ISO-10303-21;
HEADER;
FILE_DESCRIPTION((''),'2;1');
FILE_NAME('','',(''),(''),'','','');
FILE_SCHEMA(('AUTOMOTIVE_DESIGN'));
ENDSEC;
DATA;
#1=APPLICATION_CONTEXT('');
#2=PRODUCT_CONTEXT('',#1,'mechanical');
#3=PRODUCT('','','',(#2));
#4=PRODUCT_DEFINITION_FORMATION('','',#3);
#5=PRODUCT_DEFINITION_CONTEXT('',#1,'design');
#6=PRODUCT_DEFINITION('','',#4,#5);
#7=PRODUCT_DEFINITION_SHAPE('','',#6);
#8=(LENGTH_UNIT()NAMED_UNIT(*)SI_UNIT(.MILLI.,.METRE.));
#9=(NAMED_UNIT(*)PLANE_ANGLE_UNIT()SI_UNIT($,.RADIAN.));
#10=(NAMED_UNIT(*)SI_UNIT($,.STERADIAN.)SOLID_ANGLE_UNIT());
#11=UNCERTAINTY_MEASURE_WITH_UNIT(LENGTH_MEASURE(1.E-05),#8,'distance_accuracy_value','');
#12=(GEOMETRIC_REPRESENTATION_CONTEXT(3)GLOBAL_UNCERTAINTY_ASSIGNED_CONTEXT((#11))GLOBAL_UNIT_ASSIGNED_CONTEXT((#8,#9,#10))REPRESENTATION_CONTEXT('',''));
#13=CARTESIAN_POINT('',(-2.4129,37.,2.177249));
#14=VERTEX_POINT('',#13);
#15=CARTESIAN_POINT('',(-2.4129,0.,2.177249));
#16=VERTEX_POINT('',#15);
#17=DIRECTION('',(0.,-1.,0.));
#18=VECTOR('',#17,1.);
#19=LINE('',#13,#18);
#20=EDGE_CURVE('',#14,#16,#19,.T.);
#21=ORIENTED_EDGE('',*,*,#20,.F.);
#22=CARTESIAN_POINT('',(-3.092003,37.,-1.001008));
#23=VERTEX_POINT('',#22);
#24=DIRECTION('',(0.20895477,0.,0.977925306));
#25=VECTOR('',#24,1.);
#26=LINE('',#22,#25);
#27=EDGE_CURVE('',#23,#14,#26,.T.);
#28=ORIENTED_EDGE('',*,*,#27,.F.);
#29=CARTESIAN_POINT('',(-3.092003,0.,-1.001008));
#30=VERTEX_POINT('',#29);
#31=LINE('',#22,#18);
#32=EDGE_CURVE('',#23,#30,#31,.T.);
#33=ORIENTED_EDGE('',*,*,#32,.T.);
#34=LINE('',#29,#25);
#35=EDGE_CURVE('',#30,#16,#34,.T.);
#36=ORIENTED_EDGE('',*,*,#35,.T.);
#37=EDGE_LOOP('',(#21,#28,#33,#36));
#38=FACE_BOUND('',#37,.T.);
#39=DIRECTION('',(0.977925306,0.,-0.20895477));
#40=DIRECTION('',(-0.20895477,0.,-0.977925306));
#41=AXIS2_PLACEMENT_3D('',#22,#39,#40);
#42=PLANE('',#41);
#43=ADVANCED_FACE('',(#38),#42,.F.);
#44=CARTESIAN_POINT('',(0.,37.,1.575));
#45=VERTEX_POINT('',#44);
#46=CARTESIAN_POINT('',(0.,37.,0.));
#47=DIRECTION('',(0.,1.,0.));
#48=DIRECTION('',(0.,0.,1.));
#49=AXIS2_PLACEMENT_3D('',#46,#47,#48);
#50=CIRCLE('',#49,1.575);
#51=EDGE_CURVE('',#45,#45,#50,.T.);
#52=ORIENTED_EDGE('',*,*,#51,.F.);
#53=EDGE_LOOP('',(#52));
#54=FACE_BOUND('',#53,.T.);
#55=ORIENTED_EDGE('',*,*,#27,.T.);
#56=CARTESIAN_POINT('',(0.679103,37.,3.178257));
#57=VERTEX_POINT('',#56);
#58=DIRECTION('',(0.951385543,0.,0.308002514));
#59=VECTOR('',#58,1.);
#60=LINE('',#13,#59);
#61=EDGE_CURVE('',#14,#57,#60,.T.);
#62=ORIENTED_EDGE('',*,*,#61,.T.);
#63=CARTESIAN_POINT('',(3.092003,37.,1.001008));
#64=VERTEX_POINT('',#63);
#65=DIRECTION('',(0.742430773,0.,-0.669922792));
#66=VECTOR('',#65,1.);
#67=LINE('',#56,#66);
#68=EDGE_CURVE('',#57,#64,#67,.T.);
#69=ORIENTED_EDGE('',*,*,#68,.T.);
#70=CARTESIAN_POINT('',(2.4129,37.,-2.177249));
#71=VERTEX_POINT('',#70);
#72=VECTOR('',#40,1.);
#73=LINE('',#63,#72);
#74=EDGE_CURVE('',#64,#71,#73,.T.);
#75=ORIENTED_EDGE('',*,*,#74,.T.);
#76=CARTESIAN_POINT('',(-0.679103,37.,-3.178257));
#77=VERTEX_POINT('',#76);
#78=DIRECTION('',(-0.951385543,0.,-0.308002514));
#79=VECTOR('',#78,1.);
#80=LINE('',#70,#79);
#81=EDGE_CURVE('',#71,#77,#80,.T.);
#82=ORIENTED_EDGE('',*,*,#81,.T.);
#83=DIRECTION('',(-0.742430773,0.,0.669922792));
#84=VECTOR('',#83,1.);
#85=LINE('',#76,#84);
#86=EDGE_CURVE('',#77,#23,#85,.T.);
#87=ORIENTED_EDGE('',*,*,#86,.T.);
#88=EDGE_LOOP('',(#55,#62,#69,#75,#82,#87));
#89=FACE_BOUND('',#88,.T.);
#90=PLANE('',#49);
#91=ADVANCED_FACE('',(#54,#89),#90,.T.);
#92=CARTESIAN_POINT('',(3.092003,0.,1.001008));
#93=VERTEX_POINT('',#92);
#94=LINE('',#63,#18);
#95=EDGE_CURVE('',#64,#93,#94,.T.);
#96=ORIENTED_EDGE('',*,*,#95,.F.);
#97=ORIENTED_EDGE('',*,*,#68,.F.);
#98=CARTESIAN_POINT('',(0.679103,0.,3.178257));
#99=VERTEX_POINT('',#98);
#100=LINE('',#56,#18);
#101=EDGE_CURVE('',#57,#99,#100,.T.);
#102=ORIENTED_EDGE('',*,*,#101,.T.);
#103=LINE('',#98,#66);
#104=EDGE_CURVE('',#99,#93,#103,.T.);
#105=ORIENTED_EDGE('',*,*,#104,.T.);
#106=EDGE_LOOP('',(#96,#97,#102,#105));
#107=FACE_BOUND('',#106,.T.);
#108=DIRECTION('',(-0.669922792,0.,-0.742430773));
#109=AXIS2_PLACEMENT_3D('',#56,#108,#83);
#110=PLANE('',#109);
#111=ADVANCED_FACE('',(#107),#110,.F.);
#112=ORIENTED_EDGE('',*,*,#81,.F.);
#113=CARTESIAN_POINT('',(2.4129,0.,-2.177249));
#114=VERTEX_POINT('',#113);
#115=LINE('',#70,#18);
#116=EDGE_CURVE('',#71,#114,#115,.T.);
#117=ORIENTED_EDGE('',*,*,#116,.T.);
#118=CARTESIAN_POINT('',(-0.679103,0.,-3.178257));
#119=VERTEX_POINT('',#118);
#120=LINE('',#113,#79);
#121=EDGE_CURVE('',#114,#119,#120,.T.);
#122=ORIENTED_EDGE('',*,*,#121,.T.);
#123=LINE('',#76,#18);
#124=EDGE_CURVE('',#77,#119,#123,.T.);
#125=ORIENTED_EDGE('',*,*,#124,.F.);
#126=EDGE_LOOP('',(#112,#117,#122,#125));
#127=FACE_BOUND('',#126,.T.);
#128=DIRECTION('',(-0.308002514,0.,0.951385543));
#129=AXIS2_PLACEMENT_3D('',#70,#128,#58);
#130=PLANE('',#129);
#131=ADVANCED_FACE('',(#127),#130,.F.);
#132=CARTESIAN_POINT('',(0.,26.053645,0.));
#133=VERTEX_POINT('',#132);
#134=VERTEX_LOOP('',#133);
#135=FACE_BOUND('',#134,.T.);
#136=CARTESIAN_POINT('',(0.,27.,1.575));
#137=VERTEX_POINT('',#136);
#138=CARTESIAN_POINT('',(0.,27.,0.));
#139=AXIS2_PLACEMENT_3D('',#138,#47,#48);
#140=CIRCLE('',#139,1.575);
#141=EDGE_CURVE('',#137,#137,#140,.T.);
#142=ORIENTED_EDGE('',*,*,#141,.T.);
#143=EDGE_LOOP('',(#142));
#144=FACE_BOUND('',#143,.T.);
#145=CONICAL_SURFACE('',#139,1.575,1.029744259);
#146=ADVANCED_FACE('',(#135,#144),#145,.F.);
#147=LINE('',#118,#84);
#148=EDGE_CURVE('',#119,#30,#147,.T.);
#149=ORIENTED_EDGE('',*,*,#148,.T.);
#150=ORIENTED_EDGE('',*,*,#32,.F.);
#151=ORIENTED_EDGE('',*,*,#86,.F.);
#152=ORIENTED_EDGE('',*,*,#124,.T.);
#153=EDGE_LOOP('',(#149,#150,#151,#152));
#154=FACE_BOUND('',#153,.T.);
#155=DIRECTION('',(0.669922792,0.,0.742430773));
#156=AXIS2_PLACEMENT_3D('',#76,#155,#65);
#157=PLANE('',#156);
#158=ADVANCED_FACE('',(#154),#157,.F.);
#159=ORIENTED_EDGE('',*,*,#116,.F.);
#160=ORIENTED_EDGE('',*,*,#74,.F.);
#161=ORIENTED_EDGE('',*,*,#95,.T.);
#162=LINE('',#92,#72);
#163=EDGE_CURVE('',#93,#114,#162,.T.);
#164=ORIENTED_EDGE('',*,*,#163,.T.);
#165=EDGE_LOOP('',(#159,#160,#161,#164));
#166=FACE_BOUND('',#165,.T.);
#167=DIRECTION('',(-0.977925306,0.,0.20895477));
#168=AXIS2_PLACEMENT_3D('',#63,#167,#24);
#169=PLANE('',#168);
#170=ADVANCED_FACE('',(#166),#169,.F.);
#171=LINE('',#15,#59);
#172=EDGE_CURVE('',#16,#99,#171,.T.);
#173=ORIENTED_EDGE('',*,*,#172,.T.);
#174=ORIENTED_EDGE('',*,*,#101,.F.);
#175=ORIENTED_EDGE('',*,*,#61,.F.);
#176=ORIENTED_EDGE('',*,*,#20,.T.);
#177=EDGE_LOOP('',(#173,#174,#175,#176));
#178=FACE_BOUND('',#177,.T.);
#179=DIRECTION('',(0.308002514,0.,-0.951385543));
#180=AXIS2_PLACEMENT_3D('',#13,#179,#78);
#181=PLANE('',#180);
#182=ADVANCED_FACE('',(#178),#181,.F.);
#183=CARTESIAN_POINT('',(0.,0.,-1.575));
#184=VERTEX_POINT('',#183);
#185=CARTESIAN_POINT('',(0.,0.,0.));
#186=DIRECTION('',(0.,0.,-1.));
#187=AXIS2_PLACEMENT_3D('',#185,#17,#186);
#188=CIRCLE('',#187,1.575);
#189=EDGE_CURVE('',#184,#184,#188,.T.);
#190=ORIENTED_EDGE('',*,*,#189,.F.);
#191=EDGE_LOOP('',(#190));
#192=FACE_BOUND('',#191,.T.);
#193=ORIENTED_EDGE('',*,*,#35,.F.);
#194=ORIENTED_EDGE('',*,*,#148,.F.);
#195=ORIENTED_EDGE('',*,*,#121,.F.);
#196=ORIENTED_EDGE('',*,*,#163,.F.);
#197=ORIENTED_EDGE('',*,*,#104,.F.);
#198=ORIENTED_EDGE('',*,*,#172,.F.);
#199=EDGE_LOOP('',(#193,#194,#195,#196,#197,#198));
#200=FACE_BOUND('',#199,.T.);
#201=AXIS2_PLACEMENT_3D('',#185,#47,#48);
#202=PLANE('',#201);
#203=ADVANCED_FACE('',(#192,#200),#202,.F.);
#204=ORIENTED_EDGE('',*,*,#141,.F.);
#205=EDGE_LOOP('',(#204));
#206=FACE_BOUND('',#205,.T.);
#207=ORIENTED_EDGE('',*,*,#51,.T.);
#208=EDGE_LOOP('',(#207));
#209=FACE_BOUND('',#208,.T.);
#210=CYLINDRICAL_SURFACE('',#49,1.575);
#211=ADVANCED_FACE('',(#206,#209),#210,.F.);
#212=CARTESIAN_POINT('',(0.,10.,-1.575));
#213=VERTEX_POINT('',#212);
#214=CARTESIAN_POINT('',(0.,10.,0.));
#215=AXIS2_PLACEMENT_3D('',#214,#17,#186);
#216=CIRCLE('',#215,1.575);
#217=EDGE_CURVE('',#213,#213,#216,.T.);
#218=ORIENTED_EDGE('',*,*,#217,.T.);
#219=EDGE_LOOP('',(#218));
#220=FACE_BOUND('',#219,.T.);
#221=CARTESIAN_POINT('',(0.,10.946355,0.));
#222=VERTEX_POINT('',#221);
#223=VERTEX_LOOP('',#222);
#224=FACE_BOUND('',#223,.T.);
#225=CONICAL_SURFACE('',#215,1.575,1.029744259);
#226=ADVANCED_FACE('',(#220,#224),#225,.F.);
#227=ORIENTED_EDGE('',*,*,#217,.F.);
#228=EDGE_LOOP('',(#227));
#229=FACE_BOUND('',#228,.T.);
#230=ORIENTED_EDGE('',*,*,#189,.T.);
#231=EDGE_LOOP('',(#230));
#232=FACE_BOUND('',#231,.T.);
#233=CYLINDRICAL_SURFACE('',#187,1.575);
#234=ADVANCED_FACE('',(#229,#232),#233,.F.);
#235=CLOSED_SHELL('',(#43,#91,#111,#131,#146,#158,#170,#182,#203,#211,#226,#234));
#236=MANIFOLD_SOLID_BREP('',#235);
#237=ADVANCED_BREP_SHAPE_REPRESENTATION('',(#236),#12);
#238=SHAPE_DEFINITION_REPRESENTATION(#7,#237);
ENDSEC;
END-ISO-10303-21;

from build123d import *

# Parameters (mm, degrees)
RESSALTO_EXTRUS_O1_DEPTH                    = 37
FURO_ROSCADO_PARA_CONDU_TE_DE_M3X0_51_D     = 3.15
FURO_ROSCADO_PARA_CONDU_TE_DE_M3X0_51_DEPTH = 10
FURO_ROSCADO_PARA_CONDU_TE_DE_M3X0_51_TIP   = 0.946355475
FURO_ROSCADO_PARA_CONDU_TE_DE_M3X0_52_D     = 3.15
FURO_ROSCADO_PARA_CONDU_TE_DE_M3X0_52_DEPTH = 10
FURO_ROSCADO_PARA_CONDU_TE_DE_M3X0_52_TIP   = 0.946355475


with BuildPart() as part:
    # Esboço1 → Ressalto-extrusão1 (new body)
    with BuildSketch(Plane(origin=(0, 0, 0), x_dir=(1, 0, 0), z_dir=(0, 1, 0))):
        Polygon((3.092003015, -1.00100817), (2.412900012, 2.177249074), (-0.679103003, 3.178257244), (-3.092003015, 1.00100817), (-2.412900012, -2.177249074), (0.679103003, -3.178257244), align=None)
    extrude(amount=RESSALTO_EXTRUS_O1_DEPTH)

    # Furo roscado para conduíte de M3x0.51
    with Locations(Plane(origin=(0, 0, 0), x_dir=(-1, 0, 0), z_dir=(0, -1, 0))):
        with Locations((0, 0)):
            Hole(FURO_ROSCADO_PARA_CONDU_TE_DE_M3X0_51_D / 2, depth=FURO_ROSCADO_PARA_CONDU_TE_DE_M3X0_51_DEPTH)
            with Locations((0, 0, -(FURO_ROSCADO_PARA_CONDU_TE_DE_M3X0_51_DEPTH + FURO_ROSCADO_PARA_CONDU_TE_DE_M3X0_51_TIP / 2))):  # 118° drill point
                Cone(0, FURO_ROSCADO_PARA_CONDU_TE_DE_M3X0_51_D / 2, FURO_ROSCADO_PARA_CONDU_TE_DE_M3X0_51_TIP, mode=Mode.SUBTRACT)

    # Furo roscado para conduíte de M3x0.52
    with Locations(Plane(origin=(0, 37, 0), x_dir=(1, 0, 0), z_dir=(0, 1, 0))):
        with Locations((0, 0)):
            Hole(FURO_ROSCADO_PARA_CONDU_TE_DE_M3X0_52_D / 2, depth=FURO_ROSCADO_PARA_CONDU_TE_DE_M3X0_52_DEPTH)
            with Locations((0, 0, -(FURO_ROSCADO_PARA_CONDU_TE_DE_M3X0_52_DEPTH + FURO_ROSCADO_PARA_CONDU_TE_DE_M3X0_52_TIP / 2))):  # 118° drill point
                Cone(0, FURO_ROSCADO_PARA_CONDU_TE_DE_M3X0_52_D / 2, FURO_ROSCADO_PARA_CONDU_TE_DE_M3X0_52_TIP, mode=Mode.SUBTRACT)


solid = part.part
